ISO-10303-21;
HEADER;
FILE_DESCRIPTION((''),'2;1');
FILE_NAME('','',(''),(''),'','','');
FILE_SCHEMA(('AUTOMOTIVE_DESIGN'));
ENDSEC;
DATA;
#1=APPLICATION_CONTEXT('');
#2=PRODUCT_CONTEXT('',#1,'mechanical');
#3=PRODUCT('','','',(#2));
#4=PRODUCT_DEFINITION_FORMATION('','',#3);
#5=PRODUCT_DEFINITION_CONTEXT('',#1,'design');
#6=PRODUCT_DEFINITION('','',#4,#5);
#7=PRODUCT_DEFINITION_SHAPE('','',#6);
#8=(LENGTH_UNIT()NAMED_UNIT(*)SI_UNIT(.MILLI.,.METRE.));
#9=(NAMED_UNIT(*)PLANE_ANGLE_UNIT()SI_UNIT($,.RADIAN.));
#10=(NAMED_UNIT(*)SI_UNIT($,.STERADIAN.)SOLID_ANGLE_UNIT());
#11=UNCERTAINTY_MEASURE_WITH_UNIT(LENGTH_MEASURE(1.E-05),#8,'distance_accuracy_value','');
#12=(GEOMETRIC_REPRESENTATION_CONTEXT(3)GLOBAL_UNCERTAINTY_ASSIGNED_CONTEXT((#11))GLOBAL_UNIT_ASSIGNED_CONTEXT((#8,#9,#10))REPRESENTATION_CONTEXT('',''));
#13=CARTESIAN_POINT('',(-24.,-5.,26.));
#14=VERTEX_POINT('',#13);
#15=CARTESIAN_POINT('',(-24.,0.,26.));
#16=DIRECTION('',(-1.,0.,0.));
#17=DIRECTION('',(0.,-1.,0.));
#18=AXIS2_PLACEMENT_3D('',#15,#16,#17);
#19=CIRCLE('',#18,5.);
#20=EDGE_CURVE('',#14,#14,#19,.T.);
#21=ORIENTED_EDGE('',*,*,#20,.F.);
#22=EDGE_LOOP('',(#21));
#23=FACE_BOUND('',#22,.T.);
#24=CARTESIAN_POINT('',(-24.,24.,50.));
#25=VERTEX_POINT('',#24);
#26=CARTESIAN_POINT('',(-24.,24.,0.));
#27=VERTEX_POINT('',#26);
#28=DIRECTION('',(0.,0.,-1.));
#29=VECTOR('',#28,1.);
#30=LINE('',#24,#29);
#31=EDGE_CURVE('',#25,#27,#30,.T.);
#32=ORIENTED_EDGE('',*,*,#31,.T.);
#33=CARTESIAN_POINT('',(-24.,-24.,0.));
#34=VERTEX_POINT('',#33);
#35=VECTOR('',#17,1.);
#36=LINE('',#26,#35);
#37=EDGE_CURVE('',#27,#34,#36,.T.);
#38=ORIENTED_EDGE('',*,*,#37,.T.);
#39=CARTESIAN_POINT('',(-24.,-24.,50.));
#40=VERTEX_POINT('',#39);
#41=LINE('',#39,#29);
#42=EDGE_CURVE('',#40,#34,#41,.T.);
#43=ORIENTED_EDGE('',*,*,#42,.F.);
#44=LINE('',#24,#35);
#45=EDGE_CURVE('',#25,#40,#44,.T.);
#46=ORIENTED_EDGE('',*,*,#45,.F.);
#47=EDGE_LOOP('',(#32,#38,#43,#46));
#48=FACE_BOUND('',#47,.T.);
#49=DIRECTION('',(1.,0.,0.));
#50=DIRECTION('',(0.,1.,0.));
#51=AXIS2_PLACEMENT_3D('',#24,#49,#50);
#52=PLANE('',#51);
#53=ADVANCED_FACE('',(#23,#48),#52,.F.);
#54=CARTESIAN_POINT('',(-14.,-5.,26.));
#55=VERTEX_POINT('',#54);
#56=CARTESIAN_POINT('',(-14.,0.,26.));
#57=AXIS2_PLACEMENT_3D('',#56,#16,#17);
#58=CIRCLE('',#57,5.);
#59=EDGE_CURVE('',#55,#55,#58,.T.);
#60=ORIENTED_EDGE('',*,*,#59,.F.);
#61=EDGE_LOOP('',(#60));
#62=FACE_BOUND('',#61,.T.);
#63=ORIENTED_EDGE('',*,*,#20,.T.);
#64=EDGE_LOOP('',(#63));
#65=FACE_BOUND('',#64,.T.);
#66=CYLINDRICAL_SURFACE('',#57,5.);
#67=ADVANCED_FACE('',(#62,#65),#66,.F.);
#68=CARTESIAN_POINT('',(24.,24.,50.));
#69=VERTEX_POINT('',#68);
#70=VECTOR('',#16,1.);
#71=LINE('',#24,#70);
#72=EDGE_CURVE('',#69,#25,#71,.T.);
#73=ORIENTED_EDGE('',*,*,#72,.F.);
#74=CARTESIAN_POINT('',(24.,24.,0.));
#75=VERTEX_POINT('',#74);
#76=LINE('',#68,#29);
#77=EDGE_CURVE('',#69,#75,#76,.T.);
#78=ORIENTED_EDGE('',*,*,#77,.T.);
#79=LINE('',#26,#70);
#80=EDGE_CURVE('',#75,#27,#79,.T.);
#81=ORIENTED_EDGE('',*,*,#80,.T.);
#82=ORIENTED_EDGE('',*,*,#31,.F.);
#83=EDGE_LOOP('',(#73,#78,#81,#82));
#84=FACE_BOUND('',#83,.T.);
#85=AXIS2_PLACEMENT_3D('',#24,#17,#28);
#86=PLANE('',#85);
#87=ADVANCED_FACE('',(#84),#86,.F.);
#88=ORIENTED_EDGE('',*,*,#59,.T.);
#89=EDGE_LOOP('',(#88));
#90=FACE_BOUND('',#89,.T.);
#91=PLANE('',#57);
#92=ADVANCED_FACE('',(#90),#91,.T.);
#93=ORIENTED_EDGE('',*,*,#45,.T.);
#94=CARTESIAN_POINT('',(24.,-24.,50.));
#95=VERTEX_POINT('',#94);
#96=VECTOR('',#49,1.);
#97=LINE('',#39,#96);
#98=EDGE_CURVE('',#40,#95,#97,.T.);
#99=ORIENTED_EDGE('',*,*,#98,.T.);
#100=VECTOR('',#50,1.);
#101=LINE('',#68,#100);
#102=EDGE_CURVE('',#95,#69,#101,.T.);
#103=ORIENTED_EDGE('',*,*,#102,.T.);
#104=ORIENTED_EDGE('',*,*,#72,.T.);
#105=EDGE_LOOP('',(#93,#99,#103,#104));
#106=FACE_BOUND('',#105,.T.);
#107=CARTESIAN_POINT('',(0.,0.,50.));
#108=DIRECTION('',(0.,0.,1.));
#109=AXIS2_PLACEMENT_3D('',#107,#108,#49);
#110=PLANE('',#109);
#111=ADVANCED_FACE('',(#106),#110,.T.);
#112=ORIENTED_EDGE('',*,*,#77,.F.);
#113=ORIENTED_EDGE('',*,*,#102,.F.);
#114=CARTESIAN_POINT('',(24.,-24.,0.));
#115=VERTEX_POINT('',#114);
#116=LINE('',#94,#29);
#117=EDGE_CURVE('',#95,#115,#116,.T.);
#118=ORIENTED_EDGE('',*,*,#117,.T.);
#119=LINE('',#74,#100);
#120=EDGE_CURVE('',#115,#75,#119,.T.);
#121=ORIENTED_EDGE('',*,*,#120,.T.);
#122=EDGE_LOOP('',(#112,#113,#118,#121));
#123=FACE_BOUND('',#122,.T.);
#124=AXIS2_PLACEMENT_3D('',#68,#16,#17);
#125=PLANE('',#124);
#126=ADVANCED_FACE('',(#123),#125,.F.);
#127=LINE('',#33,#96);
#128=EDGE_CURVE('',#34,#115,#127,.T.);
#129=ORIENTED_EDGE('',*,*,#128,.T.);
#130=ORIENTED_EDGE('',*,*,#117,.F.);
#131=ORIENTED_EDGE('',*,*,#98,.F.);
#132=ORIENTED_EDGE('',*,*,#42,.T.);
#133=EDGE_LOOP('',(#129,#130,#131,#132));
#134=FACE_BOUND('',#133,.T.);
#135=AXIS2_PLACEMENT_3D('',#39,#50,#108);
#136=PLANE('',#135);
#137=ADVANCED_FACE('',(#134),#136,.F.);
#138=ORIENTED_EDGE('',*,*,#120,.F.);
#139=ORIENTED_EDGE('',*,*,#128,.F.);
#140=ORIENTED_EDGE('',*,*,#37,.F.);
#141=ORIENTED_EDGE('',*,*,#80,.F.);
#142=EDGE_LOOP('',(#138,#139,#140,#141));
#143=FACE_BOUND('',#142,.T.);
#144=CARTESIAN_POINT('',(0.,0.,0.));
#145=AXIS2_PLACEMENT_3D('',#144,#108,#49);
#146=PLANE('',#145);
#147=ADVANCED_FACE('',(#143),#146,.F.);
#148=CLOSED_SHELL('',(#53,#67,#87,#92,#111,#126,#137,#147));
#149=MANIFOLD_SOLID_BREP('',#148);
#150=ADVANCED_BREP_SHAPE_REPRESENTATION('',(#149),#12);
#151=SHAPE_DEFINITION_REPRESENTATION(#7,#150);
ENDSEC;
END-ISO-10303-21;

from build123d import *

# Parameters (mm, degrees)
CROQUIS1_W              = 48
CROQUIS1_H              = 48
SALIENTE_EXTRUIR1_DEPTH = 50
CROQUIS3_R              = 5
CORTAR_EXTRUIR2_DEPTH   = 10


with BuildPart() as part:
    # Croquis1 → Saliente-Extruir1 (new body)
    with BuildSketch(Plane.XY):
        Rectangle(CROQUIS1_W, CROQUIS1_H)
    extrude(amount=SALIENTE_EXTRUIR1_DEPTH)

    # Croquis3 → Cortar-Extruir2 (cut)
    with BuildSketch(Plane.ZY.offset(24)):
        with Locations(Location((26, 0, 0), (0, 0, 270))):
            Circle(CROQUIS3_R)
    extrude(amount=-CORTAR_EXTRUIR2_DEPTH, mode=Mode.SUBTRACT)


solid = part.part
